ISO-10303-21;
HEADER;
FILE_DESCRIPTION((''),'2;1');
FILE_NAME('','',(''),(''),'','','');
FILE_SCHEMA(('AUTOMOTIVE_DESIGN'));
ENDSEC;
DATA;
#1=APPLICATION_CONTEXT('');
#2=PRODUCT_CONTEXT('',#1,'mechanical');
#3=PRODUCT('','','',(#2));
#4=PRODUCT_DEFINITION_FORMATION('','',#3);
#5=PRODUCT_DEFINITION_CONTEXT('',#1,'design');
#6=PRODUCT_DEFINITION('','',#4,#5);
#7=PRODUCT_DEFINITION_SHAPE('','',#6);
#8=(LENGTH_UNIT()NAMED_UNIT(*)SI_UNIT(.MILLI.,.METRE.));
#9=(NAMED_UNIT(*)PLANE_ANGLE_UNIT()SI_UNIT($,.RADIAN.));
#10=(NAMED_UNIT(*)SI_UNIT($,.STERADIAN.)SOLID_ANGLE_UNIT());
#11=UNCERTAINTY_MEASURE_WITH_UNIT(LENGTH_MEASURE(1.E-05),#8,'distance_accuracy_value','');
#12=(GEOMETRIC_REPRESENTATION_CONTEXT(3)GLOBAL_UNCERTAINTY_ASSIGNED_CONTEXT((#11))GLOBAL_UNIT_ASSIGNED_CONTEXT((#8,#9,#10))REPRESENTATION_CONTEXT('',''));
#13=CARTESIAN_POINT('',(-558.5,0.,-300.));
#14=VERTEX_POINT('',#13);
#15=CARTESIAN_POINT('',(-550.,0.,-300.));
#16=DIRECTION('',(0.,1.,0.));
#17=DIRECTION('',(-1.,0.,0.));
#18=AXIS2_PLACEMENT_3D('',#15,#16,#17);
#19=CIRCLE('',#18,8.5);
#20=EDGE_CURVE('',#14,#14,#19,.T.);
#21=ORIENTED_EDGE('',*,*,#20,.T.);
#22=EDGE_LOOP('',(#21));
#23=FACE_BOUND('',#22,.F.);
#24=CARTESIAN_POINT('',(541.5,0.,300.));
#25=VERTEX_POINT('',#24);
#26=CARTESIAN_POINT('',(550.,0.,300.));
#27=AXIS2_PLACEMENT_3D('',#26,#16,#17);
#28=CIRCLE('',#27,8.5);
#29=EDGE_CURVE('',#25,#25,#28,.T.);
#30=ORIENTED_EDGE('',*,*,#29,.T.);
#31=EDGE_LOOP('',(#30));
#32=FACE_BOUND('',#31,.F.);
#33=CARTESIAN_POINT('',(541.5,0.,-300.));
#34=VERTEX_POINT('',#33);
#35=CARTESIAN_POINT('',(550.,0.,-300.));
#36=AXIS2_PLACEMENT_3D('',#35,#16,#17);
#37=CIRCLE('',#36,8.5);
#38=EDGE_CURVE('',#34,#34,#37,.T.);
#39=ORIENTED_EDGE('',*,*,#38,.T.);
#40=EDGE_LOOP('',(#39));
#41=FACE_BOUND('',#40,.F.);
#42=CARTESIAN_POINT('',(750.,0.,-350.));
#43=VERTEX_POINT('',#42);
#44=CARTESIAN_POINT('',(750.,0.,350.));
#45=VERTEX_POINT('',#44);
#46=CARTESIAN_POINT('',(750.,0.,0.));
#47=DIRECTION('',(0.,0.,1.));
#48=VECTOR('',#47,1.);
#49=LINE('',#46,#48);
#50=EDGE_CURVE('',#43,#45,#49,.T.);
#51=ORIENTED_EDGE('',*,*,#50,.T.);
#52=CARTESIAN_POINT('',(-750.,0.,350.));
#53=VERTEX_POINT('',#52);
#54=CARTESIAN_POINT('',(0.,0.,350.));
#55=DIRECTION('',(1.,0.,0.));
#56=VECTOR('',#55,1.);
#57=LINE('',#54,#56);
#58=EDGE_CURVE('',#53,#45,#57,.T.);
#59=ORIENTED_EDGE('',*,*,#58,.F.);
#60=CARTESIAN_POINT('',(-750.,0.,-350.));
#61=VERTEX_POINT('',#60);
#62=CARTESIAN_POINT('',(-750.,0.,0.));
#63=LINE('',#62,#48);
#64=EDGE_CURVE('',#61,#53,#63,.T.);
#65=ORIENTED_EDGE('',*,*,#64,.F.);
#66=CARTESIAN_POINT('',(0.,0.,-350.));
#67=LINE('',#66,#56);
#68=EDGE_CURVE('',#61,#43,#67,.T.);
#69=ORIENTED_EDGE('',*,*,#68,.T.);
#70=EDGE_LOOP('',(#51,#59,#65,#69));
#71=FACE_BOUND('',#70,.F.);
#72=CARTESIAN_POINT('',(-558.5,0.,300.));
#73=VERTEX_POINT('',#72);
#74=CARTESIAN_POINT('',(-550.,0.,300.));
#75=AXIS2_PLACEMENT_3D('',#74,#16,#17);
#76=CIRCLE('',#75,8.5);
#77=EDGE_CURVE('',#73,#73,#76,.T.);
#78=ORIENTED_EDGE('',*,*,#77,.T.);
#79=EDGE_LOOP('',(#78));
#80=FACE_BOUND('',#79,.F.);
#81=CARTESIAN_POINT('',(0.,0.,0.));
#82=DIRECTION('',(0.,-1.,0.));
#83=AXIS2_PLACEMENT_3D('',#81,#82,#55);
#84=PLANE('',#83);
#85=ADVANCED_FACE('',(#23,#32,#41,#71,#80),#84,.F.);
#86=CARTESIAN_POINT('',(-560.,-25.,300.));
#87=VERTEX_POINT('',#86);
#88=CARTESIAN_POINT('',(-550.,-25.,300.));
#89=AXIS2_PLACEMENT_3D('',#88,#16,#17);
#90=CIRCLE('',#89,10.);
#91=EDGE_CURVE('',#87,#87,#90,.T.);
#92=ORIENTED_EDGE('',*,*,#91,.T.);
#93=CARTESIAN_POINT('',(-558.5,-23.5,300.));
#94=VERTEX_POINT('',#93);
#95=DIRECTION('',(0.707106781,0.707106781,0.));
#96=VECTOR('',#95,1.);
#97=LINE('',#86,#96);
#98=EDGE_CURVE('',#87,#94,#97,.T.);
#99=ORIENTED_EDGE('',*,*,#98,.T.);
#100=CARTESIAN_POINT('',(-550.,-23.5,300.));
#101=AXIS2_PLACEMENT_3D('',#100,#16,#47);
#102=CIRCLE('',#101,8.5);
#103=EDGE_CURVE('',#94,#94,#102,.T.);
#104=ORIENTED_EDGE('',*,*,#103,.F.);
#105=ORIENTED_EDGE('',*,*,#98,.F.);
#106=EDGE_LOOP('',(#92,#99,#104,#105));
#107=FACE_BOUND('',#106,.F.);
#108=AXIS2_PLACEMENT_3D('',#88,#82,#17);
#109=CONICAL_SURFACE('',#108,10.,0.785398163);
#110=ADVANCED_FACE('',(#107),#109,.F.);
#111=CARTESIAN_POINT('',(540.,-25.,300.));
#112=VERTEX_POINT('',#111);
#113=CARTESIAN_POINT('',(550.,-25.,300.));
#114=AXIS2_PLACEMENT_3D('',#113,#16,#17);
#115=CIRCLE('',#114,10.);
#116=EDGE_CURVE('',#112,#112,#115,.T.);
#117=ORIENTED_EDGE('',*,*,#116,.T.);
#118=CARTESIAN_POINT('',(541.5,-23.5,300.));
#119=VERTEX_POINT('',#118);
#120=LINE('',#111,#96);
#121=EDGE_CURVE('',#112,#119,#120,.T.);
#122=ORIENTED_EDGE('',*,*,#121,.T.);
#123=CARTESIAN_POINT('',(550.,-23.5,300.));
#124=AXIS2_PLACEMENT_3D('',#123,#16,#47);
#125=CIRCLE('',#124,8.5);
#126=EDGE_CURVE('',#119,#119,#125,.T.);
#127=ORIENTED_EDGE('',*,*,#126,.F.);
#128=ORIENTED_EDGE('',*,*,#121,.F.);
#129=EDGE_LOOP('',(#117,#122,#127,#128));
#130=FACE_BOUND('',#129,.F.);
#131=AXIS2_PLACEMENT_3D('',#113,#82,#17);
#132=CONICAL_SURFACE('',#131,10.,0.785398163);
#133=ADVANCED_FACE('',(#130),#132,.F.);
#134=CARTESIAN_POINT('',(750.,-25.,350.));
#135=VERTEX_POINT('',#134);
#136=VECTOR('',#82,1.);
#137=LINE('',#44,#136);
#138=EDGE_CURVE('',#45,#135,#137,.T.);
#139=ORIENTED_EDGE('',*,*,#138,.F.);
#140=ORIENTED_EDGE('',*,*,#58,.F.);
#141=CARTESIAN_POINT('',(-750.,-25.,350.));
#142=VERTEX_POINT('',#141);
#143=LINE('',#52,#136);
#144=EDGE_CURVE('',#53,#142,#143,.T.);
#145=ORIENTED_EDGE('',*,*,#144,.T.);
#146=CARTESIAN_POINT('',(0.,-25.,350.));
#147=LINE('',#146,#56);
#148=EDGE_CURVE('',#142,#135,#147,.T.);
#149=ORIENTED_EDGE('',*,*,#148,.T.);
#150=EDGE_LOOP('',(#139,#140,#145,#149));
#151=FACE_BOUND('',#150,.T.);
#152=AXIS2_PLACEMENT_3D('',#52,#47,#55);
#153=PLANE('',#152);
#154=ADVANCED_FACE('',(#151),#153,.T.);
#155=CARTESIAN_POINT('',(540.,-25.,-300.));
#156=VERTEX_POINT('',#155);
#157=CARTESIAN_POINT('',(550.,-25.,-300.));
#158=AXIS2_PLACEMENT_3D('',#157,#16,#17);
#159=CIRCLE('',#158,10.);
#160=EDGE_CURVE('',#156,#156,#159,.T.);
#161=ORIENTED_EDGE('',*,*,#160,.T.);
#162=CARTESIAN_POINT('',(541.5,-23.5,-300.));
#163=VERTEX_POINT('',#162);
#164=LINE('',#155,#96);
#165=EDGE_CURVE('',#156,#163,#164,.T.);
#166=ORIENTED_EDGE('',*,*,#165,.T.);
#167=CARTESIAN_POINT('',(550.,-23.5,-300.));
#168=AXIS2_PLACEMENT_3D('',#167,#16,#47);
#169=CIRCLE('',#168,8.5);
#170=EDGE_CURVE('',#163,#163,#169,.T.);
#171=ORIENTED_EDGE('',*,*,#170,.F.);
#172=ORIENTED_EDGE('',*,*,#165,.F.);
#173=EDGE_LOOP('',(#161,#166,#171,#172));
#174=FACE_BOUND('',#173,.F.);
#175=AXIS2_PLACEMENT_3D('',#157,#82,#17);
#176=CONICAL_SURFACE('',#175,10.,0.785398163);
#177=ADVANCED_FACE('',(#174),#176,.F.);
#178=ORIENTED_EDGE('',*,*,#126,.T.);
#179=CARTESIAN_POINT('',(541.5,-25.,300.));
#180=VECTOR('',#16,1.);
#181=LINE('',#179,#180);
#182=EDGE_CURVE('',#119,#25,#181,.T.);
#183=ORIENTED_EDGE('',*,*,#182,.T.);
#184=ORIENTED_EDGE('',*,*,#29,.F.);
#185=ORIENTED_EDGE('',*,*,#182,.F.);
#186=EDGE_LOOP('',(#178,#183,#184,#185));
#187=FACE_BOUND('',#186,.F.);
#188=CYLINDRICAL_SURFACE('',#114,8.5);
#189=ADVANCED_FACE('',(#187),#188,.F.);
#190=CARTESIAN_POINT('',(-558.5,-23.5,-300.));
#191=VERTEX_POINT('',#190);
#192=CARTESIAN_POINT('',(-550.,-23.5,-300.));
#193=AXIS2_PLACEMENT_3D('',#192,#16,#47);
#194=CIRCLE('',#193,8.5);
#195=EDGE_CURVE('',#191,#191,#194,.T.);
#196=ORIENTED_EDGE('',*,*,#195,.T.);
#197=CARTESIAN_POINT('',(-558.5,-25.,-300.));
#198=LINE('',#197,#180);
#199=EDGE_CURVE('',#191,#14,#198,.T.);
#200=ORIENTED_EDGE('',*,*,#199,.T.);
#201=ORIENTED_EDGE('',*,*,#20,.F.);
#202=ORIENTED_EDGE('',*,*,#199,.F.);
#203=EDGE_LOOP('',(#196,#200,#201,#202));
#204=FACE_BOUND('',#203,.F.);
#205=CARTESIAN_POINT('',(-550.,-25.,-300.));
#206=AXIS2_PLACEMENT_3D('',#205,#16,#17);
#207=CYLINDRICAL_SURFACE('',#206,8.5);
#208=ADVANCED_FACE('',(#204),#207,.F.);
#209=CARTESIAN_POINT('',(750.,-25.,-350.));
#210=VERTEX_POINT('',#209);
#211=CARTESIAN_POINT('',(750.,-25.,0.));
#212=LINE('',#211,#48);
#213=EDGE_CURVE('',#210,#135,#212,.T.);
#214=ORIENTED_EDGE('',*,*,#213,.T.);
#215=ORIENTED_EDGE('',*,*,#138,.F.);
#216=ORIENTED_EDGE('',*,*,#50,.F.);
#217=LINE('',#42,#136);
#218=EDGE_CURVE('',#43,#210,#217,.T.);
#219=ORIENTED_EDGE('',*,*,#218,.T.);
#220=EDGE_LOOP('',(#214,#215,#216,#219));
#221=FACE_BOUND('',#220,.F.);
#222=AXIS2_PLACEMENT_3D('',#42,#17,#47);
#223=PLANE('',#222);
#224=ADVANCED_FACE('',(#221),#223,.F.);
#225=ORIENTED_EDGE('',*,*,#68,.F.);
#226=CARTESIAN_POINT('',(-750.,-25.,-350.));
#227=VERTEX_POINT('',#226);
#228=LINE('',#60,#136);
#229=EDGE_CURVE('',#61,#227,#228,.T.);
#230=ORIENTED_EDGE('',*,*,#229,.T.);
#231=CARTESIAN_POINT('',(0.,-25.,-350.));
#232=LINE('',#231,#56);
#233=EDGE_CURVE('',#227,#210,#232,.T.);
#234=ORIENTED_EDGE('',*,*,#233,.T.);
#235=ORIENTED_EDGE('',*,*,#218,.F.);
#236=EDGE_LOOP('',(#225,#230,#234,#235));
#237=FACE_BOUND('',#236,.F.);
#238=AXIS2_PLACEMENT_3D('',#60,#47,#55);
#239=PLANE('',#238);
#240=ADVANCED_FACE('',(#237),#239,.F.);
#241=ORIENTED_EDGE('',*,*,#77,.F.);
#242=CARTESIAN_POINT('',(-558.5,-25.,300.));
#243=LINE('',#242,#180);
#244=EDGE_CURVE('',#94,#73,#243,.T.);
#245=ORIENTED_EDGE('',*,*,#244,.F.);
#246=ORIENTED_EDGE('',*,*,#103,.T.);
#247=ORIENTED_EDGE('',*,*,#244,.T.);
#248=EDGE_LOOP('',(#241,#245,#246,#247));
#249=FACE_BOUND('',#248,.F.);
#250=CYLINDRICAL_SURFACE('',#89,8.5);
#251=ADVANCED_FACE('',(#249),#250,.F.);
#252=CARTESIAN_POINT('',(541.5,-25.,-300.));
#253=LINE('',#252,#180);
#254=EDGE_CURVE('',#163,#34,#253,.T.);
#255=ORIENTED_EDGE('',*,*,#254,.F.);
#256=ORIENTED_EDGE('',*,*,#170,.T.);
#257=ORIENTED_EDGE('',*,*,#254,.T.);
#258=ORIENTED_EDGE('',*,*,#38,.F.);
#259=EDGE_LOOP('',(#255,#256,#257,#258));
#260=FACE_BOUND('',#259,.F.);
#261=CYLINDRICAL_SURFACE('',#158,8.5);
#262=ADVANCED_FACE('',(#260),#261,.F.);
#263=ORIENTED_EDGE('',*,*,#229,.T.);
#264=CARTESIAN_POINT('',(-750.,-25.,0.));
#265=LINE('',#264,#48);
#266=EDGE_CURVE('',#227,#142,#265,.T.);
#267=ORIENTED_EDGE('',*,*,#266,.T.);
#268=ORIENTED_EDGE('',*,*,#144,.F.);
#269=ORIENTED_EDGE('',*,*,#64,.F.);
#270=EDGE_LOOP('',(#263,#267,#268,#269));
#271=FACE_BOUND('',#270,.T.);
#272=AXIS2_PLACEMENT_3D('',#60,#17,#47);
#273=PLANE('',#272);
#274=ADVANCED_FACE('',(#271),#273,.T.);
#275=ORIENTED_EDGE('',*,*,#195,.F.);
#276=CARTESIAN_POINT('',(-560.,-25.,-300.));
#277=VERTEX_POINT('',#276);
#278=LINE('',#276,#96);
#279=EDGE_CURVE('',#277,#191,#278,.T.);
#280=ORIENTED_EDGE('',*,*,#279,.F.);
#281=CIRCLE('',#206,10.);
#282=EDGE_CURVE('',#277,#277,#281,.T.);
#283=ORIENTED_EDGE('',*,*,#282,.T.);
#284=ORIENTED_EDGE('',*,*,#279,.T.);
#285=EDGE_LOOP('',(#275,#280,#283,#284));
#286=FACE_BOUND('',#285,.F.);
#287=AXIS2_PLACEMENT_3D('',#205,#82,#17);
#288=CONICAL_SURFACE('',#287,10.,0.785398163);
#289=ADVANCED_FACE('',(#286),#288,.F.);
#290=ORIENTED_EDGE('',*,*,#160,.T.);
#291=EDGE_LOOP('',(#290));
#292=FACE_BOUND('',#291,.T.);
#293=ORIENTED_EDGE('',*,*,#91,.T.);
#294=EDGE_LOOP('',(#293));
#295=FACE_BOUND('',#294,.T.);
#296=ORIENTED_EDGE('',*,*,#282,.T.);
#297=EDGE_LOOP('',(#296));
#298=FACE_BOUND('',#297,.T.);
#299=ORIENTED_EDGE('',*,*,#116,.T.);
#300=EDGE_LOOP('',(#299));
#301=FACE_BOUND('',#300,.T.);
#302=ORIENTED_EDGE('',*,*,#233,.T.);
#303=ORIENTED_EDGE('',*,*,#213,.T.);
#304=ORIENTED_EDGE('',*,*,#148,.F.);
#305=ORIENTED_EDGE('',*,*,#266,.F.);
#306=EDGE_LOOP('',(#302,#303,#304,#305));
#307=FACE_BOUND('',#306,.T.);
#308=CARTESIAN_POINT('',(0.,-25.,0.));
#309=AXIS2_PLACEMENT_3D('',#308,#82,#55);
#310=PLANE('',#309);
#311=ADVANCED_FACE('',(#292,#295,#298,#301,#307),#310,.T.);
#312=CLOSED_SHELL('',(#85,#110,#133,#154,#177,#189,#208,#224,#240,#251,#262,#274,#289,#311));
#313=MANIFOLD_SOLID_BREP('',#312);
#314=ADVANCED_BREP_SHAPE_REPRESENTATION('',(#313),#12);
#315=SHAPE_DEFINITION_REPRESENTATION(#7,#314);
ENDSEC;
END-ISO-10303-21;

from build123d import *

# Parameters (mm, degrees)
F0_W           = 1500
F0_H           = 700
F1_DEPTH       = 25
F3_D           = 17
F3_CSINK_D     = 20
F3_CSINK_ANGLE = 90


with BuildPart() as f1:
    # F0 (on Front) → F1 (new body)
    with BuildSketch(Plane.XZ):
        Rectangle(F0_W, F0_H)
    extrude(amount=F1_DEPTH)

    # F3 (through all)
    with Locations(Plane.XZ.offset(25)):
        with Locations((-550, 300), (550, 300), (550, -300), (-550, -300)):
            CounterSinkHole(F3_D / 2, F3_CSINK_D / 2, counter_sink_angle=F3_CSINK_ANGLE)


solid = f1.part
